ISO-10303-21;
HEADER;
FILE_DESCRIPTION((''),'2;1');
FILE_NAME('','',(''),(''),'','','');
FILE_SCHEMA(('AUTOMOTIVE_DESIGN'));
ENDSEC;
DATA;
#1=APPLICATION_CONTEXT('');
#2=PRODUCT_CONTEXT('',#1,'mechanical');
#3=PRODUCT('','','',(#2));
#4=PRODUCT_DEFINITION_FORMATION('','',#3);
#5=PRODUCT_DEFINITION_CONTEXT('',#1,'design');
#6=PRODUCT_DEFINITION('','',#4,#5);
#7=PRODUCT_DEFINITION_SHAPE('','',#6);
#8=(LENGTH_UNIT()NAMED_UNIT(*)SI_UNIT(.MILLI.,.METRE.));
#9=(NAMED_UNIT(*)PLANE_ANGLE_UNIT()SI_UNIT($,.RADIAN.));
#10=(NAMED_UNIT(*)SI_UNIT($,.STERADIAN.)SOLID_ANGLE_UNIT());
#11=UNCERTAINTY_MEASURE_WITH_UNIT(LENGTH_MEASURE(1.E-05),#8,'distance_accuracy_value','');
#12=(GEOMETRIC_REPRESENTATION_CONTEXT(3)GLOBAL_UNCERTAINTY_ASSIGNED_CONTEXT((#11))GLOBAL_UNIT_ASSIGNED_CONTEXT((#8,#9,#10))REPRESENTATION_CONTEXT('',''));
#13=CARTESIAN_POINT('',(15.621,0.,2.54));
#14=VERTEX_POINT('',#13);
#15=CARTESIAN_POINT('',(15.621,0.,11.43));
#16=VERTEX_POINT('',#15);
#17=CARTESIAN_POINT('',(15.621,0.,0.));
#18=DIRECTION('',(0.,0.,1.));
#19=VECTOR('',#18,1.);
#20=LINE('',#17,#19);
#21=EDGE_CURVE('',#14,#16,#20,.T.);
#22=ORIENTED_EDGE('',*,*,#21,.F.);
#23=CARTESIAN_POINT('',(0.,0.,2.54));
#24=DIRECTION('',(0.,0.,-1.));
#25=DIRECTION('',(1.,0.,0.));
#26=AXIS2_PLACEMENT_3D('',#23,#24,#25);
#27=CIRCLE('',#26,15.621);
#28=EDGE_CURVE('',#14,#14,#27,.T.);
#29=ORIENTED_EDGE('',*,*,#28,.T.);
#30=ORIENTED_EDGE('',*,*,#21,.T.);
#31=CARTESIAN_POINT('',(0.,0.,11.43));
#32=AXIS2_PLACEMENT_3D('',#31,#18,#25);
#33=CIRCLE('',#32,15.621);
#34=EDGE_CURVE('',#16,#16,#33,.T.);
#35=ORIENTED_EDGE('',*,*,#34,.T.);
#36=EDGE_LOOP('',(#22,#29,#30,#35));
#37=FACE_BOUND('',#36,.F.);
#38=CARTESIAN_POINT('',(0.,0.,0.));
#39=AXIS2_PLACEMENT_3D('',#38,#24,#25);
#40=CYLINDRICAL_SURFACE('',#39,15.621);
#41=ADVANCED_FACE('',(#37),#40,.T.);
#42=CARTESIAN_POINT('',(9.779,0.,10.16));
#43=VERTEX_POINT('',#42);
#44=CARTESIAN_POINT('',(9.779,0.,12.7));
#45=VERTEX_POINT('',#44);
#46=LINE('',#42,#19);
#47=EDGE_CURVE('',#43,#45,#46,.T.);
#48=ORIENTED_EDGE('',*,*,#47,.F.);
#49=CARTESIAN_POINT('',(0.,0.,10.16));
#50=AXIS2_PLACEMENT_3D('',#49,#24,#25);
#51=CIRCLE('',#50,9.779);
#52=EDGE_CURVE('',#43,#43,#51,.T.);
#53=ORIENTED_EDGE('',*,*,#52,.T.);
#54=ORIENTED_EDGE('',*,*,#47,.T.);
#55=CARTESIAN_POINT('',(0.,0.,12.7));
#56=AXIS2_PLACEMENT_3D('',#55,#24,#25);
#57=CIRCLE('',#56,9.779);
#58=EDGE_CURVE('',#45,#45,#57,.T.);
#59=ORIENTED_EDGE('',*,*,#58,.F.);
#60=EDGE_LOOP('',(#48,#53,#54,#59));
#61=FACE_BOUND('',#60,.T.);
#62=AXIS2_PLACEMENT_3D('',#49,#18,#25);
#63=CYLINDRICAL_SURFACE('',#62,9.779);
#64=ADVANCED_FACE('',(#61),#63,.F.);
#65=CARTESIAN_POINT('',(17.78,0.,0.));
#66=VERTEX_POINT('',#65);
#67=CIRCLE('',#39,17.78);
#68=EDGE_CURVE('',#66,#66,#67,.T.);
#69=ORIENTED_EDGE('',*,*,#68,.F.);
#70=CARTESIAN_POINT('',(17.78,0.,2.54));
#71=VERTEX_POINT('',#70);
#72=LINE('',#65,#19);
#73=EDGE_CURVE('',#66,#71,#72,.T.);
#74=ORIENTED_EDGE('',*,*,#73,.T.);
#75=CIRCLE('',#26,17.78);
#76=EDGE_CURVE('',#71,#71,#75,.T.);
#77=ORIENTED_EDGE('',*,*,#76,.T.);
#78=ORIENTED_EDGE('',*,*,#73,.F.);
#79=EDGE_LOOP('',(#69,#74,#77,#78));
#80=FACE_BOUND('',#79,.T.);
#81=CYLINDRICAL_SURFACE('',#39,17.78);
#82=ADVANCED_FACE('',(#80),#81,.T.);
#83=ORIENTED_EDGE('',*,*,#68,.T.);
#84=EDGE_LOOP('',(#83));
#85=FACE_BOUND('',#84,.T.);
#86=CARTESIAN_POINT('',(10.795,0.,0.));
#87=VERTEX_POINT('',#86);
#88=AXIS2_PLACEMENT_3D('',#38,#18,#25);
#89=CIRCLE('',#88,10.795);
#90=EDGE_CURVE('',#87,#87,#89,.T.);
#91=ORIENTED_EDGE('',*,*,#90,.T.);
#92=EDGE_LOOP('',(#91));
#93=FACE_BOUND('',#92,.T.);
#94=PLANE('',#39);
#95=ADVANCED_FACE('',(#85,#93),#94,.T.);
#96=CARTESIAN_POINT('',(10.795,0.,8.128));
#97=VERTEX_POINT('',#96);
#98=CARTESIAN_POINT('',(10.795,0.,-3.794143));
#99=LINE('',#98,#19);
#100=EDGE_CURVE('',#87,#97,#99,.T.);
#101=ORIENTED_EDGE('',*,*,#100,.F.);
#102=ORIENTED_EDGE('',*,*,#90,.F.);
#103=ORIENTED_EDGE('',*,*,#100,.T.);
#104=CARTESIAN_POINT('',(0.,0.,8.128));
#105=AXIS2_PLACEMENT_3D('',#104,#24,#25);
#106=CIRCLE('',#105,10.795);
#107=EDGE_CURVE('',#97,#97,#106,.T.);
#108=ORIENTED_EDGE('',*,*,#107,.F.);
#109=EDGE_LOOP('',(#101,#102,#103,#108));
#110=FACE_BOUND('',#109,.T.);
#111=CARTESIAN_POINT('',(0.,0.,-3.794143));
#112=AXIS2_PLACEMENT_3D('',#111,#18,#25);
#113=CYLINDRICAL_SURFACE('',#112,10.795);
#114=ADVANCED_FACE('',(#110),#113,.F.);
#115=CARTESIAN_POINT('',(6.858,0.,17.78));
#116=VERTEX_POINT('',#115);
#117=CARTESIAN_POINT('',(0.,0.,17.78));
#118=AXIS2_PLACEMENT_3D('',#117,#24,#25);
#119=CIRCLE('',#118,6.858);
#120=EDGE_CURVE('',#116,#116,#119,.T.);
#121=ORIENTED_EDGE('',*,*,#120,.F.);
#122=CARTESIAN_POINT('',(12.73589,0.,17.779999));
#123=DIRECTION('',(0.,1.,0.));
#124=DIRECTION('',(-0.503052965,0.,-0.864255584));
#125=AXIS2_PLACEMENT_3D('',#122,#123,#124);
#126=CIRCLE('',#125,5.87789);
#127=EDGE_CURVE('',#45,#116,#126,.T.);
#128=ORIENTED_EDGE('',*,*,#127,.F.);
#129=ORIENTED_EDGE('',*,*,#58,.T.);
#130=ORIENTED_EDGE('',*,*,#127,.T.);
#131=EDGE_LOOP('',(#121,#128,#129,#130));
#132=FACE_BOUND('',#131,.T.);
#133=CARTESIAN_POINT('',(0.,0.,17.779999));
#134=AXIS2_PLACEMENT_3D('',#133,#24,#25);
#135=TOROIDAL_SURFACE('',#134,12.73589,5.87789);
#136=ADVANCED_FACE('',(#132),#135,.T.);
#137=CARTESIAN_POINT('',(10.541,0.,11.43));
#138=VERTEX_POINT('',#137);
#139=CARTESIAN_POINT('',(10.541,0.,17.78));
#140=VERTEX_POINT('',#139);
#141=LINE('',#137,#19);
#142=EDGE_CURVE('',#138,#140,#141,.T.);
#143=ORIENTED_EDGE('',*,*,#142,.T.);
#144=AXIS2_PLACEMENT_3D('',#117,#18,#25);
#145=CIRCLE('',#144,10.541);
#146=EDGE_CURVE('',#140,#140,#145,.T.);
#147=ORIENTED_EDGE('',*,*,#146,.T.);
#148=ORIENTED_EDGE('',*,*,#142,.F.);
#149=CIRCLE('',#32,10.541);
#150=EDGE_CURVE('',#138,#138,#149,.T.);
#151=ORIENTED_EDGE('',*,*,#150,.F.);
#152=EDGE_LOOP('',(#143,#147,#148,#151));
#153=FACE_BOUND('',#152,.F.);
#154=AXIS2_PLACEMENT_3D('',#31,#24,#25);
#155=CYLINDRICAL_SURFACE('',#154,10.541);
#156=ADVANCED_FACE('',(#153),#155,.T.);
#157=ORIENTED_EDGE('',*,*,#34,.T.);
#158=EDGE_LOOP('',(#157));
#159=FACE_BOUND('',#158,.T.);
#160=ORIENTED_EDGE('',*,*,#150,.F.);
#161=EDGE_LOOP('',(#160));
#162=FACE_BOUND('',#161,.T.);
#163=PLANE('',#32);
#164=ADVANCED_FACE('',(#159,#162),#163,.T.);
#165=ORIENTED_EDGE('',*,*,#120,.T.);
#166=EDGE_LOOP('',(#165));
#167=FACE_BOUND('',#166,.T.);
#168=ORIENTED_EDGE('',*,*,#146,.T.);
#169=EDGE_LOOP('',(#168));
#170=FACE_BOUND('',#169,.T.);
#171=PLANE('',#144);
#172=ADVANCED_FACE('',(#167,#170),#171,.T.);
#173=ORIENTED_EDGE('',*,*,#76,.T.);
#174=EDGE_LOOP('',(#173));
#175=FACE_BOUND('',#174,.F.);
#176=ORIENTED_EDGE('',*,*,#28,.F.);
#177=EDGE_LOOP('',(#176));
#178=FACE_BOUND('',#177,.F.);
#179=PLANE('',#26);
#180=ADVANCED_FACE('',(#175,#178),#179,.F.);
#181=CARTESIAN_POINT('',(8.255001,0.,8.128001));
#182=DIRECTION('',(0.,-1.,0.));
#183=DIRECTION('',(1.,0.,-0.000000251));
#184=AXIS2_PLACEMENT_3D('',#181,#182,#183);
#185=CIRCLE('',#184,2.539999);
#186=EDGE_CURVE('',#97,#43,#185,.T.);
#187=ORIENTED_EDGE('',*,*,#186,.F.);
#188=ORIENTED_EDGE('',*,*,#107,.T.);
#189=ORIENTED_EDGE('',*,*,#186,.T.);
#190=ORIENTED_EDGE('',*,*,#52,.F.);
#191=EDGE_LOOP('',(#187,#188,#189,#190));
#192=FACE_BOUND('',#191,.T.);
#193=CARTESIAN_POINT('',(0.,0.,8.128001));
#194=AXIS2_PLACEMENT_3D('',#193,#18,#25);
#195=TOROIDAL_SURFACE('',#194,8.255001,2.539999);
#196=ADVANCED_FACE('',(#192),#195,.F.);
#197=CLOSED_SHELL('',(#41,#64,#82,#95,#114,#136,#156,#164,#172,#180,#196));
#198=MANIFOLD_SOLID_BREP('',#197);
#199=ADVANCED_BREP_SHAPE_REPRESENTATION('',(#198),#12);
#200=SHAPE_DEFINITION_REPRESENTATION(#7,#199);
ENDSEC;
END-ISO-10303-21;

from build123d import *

# Parameters (mm, degrees)
F0_R     = 15.621
F1_DEPTH = 11.43
F2_R     = 10.541
F3_DEPTH = 6.35
F4_R     = 17.78
F5_DEPTH = 2.54
F6_R     = 6.6675
F7_DEPTH = 17.781


with BuildPart() as f1:
    # F0 (on Top) → F1 (new body)
    with BuildSketch(Plane.XY):
        Circle(F0_R)
    extrude(amount=F1_DEPTH)

    # F2 (on face) → F3 (join)
    with BuildSketch(Plane.XY.offset(11.43)):
        Circle(F2_R)
    extrude(amount=F3_DEPTH)

    # F4 (on face) → F5 (join)
    with BuildSketch(Plane(origin=(0, 0, 0), x_dir=(1, 0, 0), z_dir=(0, 0, -1))):
        Circle(F4_R)
    extrude(amount=-F5_DEPTH)

    # F6 (on face) → F7 (cut, through all)
    with BuildSketch(Plane.XY.offset(17.78)):
        Circle(F6_R)
    extrude(amount=-F7_DEPTH, mode=Mode.SUBTRACT)

    # F8 (on Front) → F9 (revolve, cut)
    with BuildSketch(Plane.XZ):
        with BuildLine():
            ThreePointArc((9.779, 12.7), (7.64031, 14.850041), (6.858, 17.78))
            Line((6.858, 17.78), (1.041292, 17.78))
            Line((1.041292, 17.78), (1.041292, -3.794143))
            Line((1.041292, -3.794143), (10.795, -3.794143))
            Line((10.795, -3.794143), (10.795, 8.128))
            ThreePointArc((10.795, 8.128), (10.526845, 9.263923), (9.779, 10.16))
            Line((9.779, 10.16), (9.779, 12.7))
        make_face()
    revolve(axis=Axis((0, 0, 0.73688), (0, 0, -1)), mode=Mode.SUBTRACT)


solid = f1.part
